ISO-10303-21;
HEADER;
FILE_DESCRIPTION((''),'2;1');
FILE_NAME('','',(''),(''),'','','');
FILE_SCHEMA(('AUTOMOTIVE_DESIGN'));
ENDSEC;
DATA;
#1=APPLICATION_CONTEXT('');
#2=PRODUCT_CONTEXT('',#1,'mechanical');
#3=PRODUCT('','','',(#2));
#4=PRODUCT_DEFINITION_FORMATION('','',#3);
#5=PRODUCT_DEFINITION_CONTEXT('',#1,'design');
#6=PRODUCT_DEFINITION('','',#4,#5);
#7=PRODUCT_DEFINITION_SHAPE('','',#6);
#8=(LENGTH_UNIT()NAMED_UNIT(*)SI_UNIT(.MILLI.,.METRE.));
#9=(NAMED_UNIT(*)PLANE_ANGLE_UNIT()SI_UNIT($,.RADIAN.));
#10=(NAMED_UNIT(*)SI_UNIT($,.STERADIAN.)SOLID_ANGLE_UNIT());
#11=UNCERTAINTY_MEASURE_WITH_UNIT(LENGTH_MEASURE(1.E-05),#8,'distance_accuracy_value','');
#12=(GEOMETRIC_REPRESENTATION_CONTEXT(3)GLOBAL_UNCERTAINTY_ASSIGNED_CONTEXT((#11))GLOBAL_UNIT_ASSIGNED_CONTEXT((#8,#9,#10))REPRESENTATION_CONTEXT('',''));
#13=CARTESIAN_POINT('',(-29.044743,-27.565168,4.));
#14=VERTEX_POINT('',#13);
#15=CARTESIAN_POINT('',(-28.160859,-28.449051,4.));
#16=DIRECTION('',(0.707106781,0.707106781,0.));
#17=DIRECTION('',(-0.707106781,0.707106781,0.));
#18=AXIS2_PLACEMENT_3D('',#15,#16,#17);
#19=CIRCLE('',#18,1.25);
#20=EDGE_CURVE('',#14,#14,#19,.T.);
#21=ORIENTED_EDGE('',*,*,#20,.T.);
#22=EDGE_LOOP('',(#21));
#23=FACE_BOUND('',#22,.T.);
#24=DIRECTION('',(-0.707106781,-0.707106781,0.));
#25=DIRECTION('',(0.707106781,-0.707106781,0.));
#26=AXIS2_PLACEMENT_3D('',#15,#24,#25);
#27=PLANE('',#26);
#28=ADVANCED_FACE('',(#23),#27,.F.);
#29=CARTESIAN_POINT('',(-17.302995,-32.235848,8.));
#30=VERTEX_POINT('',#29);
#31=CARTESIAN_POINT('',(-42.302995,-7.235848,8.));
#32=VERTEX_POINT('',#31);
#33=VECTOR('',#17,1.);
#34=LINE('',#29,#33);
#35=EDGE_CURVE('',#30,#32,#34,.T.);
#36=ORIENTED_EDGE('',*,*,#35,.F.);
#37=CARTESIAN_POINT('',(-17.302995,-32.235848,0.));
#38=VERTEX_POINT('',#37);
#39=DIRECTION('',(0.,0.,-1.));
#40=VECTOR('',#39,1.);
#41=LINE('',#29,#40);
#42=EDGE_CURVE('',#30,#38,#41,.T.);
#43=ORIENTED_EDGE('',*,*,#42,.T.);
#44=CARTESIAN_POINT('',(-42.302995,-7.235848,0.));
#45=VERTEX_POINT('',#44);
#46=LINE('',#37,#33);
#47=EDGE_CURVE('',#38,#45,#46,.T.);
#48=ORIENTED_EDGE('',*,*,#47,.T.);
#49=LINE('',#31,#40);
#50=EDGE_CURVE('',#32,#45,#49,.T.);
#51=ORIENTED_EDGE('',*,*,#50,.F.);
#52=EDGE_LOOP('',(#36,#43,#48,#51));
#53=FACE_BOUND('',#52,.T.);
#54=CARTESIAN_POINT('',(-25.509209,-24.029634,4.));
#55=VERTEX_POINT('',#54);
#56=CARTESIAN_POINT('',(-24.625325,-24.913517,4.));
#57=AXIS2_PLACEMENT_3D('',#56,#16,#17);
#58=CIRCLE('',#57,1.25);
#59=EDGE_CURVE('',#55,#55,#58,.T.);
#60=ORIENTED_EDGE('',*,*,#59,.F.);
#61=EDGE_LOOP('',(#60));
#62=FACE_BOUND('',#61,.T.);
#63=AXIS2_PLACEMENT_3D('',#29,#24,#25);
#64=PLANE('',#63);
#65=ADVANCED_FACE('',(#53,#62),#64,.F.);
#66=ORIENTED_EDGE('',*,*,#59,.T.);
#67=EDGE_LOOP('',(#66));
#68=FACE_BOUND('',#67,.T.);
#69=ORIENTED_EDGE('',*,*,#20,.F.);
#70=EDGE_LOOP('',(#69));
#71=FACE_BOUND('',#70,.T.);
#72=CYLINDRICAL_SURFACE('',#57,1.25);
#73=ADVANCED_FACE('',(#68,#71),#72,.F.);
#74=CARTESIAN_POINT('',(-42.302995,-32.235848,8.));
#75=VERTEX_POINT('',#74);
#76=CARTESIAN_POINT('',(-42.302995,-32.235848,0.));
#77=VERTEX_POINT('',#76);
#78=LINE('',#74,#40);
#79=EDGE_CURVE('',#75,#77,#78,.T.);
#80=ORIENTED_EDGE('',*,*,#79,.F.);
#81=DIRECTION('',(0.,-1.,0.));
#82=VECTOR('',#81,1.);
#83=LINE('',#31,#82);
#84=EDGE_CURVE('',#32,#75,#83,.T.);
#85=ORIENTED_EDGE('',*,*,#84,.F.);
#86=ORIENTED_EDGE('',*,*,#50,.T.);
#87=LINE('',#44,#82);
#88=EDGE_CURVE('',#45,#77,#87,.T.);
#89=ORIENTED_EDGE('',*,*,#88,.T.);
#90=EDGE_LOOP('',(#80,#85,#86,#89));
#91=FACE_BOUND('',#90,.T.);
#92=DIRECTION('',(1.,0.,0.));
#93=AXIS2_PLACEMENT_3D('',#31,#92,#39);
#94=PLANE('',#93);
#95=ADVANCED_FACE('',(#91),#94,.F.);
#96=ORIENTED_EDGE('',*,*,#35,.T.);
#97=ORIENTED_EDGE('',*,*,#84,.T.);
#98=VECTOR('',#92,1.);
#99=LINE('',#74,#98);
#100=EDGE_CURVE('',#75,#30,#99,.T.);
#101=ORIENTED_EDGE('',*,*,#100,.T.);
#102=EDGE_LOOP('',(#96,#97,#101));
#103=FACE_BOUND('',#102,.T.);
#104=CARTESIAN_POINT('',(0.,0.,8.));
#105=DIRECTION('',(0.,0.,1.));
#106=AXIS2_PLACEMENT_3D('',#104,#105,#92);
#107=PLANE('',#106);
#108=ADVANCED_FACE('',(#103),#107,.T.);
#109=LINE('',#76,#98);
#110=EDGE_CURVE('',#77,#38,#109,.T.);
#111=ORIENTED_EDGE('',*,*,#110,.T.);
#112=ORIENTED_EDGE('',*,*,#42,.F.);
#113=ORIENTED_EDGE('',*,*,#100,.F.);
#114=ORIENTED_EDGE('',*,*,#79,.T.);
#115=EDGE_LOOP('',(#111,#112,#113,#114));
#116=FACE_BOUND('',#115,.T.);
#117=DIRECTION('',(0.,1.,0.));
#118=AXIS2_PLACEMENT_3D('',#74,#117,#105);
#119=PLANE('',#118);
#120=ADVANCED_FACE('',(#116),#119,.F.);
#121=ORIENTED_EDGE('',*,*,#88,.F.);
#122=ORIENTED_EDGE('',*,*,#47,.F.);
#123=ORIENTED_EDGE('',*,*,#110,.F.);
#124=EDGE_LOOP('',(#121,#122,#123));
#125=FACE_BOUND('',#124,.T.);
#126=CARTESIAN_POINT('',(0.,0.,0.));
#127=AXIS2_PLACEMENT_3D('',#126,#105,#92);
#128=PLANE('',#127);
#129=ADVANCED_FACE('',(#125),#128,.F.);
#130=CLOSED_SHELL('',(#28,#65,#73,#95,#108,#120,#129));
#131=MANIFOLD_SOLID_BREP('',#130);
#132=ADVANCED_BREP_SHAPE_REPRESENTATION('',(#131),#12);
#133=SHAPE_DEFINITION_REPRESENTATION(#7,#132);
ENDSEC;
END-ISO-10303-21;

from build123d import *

# Parameters (mm, degrees)
EXTRUDE_2_DEPTH        = 8
HOLE_WIZARD_M3_2_D     = 2.5
HOLE_WIZARD_M3_2_DEPTH = 5


with BuildPart() as part:
    # 草图1 → 凸台-拉伸2 (new body)
    with BuildSketch(Plane.XY):
        Polygon((-42.3029947, -7.235847593), (-42.3029947, -32.235847593), (-17.3029947, -32.235847593), align=None)
    extrude(amount=EXTRUDE_2_DEPTH)

    # M3 螺纹孔2
    with Locations(Plane(origin=(-24.769421146, -24.769421146, 0), x_dir=(0.7071067811865439, -0.7071067811865511, 0), z_dir=(0.7071067811865511, 0.7071067811865439, 0))):
        with Locations((0.203782484, -4)):
            Hole(HOLE_WIZARD_M3_2_D / 2, depth=HOLE_WIZARD_M3_2_DEPTH)


solid = part.part
